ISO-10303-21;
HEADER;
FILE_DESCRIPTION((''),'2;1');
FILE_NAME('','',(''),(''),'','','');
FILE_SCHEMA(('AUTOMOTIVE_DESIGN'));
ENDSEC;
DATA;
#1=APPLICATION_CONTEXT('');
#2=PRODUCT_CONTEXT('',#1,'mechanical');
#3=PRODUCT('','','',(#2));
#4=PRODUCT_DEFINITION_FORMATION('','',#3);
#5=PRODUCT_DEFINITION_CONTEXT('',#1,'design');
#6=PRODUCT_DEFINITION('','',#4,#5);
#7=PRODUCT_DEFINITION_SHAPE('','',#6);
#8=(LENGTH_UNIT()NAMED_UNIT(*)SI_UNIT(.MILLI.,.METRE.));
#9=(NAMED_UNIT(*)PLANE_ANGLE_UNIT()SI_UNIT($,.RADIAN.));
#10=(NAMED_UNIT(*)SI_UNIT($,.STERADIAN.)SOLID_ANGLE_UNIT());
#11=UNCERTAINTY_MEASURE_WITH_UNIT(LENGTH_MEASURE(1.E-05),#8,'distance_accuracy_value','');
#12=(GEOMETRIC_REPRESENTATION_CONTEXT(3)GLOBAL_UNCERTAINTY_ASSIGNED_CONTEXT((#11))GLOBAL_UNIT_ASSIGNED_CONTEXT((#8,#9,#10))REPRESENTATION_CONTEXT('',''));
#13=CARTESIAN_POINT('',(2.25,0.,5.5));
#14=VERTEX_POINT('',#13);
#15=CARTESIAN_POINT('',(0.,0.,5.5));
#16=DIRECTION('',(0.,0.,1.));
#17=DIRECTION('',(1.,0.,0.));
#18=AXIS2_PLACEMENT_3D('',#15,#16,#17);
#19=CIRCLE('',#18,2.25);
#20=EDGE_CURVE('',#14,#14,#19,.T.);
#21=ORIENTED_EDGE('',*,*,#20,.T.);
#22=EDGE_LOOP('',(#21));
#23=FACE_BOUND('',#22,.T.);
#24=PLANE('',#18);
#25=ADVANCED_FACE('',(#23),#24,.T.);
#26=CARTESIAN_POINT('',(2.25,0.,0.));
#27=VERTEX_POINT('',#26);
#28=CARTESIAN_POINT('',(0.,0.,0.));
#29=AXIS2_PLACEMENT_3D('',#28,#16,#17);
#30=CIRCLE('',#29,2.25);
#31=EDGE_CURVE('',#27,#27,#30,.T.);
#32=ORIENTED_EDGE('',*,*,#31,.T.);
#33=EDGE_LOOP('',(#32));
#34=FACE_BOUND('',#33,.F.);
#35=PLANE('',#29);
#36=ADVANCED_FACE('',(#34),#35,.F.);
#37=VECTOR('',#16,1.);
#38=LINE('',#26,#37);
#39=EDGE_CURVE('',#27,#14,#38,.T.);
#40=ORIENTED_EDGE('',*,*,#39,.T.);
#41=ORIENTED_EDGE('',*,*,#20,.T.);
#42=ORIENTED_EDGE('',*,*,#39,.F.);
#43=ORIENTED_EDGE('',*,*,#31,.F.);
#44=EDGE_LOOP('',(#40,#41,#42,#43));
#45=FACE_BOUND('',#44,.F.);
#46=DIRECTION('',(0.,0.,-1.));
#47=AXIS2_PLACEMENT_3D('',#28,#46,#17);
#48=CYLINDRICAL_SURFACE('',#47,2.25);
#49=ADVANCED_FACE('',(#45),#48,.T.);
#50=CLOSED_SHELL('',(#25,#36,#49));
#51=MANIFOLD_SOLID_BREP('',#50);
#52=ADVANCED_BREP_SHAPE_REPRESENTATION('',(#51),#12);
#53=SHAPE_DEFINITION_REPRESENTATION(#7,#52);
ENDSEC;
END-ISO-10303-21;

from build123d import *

# Parameters (mm, degrees)
CYLINDER_R     = 2.25
CYLINDER_DEPTH = 5.5


with BuildPart() as part:
    # Cylinder → Cylinder (new body)
    with BuildSketch(Plane.XY):
        Circle(CYLINDER_R)
    extrude(amount=CYLINDER_DEPTH)


solid = part.part
